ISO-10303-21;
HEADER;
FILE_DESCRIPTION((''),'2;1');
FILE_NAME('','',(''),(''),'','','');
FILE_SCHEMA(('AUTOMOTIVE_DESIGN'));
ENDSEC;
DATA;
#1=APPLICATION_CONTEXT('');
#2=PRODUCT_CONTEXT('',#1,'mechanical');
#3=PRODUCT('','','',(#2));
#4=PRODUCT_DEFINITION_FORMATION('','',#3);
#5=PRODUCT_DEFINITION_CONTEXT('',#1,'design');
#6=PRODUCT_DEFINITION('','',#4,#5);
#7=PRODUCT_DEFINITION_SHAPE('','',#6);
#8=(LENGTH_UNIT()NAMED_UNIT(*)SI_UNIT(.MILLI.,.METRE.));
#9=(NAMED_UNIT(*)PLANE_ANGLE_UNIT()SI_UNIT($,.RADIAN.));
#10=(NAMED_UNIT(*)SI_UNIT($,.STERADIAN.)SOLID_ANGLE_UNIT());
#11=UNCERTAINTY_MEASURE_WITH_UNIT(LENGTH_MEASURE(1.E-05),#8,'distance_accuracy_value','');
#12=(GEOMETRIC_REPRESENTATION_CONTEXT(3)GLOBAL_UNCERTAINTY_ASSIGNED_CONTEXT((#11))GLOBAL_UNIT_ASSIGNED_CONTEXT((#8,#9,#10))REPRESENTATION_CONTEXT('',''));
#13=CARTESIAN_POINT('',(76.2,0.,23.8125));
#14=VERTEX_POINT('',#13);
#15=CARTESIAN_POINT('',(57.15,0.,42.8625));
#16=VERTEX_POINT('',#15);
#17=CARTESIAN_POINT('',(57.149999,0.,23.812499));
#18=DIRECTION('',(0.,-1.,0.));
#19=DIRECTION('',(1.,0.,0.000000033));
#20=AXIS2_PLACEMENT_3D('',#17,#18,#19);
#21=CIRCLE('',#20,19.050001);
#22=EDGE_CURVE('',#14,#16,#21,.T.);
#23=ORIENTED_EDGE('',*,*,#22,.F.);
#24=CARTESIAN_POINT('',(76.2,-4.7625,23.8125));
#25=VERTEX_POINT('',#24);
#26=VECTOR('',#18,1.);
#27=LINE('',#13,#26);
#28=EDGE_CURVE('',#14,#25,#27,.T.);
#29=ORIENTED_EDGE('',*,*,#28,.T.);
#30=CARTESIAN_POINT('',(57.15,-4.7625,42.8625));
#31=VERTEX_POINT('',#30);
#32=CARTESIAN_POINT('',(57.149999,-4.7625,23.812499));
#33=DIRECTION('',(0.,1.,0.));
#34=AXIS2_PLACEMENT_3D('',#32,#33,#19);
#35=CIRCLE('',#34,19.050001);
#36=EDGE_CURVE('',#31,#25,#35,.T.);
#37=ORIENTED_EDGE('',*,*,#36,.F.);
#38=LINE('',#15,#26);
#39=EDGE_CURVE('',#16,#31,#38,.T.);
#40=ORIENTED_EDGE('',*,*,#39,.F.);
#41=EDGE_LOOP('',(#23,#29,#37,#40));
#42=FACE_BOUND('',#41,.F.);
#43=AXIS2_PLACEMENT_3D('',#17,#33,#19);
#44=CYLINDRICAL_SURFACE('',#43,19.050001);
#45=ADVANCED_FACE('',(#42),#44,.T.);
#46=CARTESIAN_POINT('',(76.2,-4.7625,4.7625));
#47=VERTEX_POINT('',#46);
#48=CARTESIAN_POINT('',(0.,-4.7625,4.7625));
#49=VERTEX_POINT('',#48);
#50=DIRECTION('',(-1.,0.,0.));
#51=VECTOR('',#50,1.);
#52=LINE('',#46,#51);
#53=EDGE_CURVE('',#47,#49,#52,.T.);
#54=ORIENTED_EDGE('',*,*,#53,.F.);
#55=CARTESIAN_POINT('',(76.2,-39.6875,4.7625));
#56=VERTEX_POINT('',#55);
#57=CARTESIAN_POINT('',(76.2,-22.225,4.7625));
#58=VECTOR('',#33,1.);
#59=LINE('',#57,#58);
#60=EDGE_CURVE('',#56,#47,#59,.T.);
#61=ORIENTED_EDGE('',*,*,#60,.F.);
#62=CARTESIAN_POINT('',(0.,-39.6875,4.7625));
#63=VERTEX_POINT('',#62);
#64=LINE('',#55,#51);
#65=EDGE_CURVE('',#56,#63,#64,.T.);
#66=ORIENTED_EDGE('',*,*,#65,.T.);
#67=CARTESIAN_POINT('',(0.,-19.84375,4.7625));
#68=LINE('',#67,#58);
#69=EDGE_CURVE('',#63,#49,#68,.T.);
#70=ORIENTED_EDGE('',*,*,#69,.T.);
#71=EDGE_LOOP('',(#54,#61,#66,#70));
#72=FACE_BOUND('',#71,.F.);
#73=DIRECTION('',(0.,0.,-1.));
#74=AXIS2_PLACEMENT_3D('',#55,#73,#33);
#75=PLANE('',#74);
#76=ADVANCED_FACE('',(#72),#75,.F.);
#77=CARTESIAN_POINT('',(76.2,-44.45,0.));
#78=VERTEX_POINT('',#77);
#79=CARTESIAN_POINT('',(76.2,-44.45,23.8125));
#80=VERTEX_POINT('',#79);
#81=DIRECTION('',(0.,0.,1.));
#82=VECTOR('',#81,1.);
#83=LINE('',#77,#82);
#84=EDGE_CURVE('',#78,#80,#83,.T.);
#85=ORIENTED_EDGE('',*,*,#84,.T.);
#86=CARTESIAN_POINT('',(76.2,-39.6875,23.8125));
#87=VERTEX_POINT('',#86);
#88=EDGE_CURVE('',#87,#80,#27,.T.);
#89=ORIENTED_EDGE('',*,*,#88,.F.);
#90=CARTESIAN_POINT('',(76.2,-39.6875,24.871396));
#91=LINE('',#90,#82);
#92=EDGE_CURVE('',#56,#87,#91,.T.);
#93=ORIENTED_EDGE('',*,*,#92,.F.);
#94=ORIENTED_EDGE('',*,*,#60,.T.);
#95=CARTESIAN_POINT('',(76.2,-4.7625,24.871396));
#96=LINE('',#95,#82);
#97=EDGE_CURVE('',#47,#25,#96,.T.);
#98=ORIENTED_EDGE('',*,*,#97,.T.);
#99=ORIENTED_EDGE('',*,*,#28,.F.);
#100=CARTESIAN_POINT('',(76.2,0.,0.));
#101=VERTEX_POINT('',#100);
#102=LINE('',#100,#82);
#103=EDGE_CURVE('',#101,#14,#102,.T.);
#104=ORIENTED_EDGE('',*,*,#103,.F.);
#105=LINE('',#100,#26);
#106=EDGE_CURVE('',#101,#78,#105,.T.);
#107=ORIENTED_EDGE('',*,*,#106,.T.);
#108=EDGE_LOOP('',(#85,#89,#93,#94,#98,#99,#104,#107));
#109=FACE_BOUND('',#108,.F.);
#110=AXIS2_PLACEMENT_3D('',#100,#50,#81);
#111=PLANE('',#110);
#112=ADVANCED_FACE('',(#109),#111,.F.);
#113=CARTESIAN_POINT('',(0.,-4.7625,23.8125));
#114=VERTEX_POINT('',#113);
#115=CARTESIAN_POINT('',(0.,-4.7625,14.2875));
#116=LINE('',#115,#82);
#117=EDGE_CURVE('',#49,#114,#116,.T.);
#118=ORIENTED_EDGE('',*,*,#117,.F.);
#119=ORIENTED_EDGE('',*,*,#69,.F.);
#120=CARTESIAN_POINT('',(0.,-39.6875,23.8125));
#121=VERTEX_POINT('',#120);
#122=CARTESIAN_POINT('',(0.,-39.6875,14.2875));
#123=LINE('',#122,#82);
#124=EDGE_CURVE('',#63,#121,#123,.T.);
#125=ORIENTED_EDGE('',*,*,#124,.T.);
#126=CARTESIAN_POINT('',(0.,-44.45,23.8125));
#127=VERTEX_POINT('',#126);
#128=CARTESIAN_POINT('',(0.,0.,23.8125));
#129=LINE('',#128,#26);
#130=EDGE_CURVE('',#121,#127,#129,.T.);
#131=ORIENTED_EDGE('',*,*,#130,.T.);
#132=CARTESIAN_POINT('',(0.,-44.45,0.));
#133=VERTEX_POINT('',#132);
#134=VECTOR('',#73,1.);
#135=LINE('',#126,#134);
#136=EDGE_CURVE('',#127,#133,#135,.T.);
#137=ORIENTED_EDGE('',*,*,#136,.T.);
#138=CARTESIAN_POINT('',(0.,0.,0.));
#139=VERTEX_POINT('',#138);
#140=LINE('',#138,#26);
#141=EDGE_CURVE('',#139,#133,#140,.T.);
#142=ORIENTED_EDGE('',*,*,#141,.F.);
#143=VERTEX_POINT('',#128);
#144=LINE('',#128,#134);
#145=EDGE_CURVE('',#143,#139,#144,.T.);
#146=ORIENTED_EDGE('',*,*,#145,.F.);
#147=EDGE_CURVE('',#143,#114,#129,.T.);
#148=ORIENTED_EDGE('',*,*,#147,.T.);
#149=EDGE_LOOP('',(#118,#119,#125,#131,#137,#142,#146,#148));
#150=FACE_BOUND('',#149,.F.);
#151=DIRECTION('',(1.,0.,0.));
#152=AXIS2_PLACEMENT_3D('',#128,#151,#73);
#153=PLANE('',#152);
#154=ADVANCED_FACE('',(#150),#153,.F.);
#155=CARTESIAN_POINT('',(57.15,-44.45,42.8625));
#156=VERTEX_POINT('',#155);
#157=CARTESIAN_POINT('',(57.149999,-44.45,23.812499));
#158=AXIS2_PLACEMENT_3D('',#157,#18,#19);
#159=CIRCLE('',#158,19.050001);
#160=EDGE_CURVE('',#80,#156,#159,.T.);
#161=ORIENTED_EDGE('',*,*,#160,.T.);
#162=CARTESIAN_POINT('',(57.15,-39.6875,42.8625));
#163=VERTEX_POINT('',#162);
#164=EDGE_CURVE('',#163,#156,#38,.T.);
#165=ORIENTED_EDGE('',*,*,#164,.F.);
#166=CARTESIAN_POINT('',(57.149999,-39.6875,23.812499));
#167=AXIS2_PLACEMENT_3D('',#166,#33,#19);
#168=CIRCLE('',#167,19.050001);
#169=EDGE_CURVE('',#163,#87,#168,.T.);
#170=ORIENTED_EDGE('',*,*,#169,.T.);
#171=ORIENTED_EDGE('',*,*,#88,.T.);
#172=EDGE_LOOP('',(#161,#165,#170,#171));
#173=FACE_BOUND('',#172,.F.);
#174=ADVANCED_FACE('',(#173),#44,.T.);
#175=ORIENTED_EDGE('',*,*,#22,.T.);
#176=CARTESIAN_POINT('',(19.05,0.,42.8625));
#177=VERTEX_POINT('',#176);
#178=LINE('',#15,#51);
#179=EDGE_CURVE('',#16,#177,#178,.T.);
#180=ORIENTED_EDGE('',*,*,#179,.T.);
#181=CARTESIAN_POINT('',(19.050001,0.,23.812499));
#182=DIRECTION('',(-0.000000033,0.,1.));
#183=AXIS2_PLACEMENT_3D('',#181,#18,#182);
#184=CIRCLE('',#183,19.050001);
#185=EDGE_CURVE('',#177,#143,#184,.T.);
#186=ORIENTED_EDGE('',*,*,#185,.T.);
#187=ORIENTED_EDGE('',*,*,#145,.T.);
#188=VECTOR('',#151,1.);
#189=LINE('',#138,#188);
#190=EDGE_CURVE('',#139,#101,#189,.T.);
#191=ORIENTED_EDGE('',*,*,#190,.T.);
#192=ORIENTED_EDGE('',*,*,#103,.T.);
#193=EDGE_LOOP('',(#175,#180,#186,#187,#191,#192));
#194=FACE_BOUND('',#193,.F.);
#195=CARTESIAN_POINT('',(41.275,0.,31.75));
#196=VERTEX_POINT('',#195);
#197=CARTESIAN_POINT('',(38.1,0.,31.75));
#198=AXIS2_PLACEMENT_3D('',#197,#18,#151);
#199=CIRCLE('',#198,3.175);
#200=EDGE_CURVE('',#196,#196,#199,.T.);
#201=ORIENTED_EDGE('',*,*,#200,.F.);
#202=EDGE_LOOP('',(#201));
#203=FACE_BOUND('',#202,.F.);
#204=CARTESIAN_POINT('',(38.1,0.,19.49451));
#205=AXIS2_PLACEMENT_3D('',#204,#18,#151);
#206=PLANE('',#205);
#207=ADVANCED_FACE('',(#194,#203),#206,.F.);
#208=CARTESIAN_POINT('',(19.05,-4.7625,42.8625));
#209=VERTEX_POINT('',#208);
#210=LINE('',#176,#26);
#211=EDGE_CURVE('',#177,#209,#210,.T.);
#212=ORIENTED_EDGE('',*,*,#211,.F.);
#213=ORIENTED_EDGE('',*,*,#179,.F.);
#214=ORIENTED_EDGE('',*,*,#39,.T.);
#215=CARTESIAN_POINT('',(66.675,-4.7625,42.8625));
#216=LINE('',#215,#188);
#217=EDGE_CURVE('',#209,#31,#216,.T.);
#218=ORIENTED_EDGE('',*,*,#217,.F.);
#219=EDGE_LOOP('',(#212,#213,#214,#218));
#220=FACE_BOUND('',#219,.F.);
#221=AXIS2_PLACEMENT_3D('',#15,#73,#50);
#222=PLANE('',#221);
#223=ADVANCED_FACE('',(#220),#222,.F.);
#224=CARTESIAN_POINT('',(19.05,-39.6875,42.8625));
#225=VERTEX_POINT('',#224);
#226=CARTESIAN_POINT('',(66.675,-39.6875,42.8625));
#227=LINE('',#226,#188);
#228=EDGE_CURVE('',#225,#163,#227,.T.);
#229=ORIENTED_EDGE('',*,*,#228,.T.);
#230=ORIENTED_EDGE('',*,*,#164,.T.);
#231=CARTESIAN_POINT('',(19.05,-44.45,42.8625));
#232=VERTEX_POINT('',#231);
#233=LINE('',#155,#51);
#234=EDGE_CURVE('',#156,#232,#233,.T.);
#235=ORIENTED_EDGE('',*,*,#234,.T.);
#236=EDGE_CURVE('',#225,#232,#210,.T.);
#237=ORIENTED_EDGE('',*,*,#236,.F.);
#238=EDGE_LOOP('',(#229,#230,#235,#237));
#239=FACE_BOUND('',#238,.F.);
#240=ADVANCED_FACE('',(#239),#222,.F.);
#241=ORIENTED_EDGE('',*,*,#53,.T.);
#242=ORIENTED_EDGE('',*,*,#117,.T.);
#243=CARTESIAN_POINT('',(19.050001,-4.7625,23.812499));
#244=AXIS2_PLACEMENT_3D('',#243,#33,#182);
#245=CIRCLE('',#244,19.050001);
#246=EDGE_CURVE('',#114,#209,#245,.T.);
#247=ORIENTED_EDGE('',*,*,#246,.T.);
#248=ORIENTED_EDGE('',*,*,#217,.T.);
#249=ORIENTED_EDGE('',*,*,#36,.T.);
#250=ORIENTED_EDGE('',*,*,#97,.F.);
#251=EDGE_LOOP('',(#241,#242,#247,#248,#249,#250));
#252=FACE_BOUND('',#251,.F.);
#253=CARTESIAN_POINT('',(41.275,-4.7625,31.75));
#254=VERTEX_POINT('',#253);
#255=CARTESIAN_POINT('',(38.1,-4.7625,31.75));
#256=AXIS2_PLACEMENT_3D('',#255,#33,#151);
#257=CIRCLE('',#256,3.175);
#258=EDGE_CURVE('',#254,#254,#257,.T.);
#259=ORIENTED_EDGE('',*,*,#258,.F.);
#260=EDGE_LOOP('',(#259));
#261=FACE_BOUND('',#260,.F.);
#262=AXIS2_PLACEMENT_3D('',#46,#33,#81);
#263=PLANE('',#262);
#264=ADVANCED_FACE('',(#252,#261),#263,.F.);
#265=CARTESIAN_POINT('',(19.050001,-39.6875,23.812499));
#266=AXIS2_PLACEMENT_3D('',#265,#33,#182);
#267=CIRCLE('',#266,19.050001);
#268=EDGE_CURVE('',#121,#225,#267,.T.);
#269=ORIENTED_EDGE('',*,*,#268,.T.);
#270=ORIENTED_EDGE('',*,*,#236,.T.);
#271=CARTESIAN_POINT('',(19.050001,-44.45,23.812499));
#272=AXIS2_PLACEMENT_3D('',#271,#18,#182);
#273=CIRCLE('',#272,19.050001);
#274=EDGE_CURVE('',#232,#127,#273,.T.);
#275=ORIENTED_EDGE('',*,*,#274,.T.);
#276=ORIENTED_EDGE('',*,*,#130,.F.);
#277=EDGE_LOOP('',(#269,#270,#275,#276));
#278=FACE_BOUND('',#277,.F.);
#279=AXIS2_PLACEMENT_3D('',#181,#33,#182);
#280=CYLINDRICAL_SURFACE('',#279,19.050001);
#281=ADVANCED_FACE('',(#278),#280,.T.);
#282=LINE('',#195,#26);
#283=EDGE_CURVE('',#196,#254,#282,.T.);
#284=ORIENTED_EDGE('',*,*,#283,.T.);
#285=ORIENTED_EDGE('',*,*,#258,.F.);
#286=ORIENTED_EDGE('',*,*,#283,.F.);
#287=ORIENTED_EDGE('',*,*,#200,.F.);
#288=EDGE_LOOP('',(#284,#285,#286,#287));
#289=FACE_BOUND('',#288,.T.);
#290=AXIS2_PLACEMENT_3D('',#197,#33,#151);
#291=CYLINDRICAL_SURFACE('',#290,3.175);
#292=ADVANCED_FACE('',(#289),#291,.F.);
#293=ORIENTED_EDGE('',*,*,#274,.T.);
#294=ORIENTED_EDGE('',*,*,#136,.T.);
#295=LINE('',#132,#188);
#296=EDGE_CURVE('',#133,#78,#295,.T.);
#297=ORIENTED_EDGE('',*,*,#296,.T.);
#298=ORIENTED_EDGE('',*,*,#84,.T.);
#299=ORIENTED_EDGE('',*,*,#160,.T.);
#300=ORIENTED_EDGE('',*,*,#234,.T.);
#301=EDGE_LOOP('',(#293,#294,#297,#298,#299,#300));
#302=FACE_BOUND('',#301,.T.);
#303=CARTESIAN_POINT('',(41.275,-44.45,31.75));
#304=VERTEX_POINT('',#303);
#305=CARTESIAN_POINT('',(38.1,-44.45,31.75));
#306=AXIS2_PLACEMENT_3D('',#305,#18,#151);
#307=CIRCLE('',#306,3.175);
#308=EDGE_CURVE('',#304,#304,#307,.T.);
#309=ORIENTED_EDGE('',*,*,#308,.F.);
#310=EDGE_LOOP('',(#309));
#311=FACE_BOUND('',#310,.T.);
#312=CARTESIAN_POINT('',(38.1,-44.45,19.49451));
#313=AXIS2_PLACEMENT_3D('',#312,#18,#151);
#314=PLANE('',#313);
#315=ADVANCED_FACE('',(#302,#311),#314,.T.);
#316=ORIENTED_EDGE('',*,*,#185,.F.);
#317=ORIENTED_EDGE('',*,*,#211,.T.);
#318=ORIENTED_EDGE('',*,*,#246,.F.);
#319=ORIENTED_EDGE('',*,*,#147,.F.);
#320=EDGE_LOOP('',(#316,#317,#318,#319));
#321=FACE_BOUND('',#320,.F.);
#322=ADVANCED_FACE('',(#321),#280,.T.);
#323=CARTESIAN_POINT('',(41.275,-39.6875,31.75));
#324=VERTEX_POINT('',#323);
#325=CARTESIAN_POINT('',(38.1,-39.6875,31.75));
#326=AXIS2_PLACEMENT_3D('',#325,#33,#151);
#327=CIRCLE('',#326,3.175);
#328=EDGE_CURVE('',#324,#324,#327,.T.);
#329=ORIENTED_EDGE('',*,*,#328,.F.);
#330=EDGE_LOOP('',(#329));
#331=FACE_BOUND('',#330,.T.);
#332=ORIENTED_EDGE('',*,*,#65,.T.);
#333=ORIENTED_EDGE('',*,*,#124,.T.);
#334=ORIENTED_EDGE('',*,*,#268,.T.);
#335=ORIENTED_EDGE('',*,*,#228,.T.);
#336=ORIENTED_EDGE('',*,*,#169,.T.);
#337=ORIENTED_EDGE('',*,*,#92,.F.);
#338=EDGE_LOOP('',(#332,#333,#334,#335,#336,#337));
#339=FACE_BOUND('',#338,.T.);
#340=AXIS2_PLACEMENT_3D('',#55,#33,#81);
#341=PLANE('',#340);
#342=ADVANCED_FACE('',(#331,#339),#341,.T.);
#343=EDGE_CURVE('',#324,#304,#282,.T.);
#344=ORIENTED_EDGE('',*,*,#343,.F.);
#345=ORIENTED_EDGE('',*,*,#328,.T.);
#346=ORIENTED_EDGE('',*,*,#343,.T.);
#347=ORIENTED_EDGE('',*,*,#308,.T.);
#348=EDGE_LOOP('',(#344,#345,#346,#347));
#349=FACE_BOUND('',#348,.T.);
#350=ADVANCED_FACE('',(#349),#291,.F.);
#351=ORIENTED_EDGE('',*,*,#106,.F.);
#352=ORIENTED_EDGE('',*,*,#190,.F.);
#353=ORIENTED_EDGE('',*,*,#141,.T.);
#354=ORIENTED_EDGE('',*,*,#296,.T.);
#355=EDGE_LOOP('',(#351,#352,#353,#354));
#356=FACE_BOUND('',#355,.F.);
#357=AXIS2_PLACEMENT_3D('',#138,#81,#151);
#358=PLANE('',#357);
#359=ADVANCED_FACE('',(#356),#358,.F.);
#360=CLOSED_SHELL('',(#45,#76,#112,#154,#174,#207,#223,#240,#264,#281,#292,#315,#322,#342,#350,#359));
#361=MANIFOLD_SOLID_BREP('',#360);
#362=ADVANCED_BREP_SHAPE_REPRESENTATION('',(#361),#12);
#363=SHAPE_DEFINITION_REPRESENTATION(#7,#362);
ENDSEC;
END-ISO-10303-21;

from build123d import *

# Parameters (mm, degrees)
F0_R     = 3.175
F1_DEPTH = 44.45
F2_W     = 34.925
F2_H     = 40.217792
F3_DEPTH = 76.201


with BuildPart() as f1:
    # F0 (on Front) → F1 (new body)
    with BuildSketch(Plane.XZ):
        with BuildLine():
            Line((0, 23.8125), (0, 0))
            Line((0, 0), (76.2, 0))
            Line((76.2, 0), (76.2, 23.8125))
            ThreePointArc((76.2, 23.8125), (70.620384, 37.282884), (57.15, 42.8625))
            Line((57.15, 42.8625), (19.05, 42.8625))
            ThreePointArc((19.05, 42.8625), (5.579616, 37.282884), (0, 23.8125))
        make_face()
        with Locations((38.1, 31.75)):
            Circle(F0_R, mode=Mode.SUBTRACT)
    extrude(amount=F1_DEPTH)

    # F2 (on face) → F3 (cut, through all)
    with BuildSketch(Plane.YZ.offset(76.2)):
        with Locations((-22.225, 24.871396)):
            Rectangle(F2_W, F2_H)
    extrude(amount=-F3_DEPTH, mode=Mode.SUBTRACT)


solid = f1.part
